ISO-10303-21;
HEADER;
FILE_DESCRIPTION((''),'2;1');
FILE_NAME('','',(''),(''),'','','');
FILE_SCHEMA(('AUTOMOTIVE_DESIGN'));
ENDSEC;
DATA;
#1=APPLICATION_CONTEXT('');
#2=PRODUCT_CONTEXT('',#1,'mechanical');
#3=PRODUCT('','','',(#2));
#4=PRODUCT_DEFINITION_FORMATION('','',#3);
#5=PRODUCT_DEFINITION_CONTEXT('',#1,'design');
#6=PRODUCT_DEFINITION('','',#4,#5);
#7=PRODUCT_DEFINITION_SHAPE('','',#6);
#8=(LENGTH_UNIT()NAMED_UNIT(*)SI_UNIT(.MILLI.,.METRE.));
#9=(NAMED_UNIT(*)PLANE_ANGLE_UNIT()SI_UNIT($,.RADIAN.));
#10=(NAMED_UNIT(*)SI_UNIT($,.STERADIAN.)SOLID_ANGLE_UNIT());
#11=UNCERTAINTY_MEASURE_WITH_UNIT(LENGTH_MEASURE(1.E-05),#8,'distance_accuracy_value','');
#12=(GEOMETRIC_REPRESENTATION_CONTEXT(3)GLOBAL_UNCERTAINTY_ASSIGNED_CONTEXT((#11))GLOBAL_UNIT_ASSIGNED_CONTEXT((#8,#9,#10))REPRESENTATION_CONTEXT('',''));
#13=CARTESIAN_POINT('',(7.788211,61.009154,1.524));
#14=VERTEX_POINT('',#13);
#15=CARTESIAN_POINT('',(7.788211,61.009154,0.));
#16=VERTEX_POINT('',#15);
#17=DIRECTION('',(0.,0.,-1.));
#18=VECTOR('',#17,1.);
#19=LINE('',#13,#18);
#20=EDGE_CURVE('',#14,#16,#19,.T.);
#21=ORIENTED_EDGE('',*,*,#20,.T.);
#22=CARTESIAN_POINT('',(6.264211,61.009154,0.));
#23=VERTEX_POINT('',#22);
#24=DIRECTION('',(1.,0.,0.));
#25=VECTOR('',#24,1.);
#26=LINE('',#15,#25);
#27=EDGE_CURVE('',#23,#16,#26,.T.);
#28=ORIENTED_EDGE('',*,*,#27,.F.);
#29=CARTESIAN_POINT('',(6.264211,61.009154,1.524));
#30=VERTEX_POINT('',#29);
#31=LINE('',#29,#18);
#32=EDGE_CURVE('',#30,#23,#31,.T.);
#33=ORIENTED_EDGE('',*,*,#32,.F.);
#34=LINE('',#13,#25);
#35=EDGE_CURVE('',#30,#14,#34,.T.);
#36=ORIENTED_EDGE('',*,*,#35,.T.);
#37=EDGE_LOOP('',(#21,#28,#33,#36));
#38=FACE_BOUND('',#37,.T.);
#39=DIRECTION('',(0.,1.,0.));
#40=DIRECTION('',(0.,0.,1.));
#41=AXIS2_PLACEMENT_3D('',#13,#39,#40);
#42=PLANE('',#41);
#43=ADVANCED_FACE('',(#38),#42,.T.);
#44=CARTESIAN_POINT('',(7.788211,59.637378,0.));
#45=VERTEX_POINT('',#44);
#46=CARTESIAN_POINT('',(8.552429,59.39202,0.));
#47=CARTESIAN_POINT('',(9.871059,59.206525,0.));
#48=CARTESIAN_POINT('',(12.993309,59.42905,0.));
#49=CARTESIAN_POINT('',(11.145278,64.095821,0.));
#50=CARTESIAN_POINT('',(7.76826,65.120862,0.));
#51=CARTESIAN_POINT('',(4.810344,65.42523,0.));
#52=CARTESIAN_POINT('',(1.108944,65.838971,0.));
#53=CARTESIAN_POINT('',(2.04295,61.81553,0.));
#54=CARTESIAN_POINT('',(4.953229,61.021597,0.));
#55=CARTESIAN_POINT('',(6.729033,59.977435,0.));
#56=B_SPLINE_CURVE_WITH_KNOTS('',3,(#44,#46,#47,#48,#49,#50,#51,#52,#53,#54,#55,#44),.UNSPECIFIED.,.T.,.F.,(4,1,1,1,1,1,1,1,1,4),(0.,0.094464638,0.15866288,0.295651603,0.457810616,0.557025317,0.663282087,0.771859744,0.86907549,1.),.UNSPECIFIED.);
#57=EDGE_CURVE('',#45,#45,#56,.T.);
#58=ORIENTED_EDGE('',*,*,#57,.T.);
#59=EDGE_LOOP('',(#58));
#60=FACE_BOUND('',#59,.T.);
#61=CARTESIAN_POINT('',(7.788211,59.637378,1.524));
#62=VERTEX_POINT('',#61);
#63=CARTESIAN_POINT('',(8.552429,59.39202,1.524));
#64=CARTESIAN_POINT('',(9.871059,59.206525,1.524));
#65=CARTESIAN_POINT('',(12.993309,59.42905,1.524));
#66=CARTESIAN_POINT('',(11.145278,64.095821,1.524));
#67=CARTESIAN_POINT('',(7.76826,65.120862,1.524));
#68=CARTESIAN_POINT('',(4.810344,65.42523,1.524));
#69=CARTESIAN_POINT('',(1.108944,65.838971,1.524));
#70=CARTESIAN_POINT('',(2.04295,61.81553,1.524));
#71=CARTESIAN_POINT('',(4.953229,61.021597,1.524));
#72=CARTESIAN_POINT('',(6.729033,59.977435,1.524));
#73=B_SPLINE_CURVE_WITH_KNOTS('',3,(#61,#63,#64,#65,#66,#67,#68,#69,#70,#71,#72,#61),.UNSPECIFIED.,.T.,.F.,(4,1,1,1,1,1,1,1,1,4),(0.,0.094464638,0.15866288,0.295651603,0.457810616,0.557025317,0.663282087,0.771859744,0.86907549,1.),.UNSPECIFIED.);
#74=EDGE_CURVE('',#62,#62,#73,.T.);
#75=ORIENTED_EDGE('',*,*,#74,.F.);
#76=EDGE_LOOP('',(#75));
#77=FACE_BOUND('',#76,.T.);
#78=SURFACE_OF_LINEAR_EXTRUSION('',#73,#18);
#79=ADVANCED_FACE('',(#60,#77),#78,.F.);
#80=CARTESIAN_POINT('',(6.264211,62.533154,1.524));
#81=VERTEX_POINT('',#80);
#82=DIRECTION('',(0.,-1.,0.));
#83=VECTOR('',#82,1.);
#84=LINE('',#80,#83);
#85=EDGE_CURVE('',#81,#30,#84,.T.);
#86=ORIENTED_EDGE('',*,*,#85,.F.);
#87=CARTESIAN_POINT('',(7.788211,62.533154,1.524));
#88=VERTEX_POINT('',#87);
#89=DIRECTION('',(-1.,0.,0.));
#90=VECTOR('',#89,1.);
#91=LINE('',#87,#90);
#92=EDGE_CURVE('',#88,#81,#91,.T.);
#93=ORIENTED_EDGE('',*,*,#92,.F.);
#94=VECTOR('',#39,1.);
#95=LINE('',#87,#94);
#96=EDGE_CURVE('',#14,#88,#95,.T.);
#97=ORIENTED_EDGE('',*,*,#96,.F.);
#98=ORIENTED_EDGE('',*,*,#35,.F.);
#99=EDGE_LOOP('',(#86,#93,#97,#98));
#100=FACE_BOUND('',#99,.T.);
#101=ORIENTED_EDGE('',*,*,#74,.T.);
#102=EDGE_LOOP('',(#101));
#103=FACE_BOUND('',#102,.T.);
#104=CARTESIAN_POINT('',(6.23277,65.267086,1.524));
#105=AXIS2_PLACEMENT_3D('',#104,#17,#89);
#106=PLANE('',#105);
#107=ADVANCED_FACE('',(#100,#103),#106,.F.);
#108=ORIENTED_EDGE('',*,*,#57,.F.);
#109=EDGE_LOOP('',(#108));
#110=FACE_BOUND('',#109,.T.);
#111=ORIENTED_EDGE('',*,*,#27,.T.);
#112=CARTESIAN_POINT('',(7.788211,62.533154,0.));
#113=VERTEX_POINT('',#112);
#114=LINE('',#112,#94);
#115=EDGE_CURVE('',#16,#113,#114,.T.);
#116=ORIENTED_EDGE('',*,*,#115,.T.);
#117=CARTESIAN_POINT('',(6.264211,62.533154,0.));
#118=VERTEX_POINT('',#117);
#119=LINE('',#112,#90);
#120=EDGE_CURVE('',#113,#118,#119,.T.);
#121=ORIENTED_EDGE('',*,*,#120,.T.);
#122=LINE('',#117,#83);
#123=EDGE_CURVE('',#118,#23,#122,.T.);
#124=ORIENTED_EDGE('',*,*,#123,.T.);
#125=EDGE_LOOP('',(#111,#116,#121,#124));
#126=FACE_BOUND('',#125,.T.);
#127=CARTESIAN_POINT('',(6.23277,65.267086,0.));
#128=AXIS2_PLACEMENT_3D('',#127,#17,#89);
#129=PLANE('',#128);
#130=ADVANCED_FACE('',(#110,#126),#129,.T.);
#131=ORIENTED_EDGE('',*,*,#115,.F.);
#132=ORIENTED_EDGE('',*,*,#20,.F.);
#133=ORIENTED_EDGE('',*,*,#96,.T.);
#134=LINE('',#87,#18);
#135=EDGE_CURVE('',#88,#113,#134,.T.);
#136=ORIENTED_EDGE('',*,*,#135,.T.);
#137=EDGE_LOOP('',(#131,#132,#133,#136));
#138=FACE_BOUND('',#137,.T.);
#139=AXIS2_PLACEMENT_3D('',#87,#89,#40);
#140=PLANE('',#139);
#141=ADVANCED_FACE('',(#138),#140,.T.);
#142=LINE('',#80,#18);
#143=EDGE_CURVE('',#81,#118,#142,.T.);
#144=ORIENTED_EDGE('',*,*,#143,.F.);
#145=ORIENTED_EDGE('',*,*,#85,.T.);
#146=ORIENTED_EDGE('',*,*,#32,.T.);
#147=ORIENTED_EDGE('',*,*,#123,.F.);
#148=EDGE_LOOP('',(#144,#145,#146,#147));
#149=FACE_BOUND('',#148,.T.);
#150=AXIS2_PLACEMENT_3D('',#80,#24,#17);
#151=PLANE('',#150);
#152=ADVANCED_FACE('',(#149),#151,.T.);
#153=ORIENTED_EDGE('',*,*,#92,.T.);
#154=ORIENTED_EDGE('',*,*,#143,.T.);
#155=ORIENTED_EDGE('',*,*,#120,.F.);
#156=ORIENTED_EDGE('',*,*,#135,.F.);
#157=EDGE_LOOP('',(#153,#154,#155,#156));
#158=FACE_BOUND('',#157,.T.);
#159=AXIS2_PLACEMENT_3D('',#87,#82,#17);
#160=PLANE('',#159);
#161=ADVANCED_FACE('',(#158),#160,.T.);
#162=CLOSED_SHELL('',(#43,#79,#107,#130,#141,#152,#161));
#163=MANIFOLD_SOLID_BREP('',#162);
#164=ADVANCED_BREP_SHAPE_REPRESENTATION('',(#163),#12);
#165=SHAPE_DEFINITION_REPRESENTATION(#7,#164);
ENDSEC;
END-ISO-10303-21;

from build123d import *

# Parameters (mm, degrees)
SKETCH1_W           = 1.524
SKETCH1_H           = 1.524
BOSS_EXTRUDE1_DEPTH = 1.524


with BuildPart() as part:
    # Sketch1 → Boss-Extrude1 (new body)
    with BuildSketch(Plane.XY):
        with BuildLine():
            add(Edge.make_bspline(
                [(7.788210834, 59.637377536), (8.552428619, 59.392019525), (9.87105853, 59.206525155), (12.993309012, 59.429050375), (11.145278004, 64.095820828), (7.76826039, 65.120861798), (4.810343538, 65.425230024), (1.108944301, 65.8389715), (2.042949609, 61.815529916), (4.953229398, 61.021597327), (6.729033119, 59.977434705), (7.788210834, 59.637377536)],
                knots=[0, 0, 0, 0, 0.094464638, 0.15866288, 0.295651603, 0.457810616, 0.557025317, 0.663282087, 0.771859744, 0.86907549, 1, 1, 1, 1], degree=3))
        make_face()
        with Locations((7.026210834, 61.771154306)):
            Rectangle(SKETCH1_W, SKETCH1_H, mode=Mode.SUBTRACT)
    extrude(amount=BOSS_EXTRUDE1_DEPTH)


solid = part.part
